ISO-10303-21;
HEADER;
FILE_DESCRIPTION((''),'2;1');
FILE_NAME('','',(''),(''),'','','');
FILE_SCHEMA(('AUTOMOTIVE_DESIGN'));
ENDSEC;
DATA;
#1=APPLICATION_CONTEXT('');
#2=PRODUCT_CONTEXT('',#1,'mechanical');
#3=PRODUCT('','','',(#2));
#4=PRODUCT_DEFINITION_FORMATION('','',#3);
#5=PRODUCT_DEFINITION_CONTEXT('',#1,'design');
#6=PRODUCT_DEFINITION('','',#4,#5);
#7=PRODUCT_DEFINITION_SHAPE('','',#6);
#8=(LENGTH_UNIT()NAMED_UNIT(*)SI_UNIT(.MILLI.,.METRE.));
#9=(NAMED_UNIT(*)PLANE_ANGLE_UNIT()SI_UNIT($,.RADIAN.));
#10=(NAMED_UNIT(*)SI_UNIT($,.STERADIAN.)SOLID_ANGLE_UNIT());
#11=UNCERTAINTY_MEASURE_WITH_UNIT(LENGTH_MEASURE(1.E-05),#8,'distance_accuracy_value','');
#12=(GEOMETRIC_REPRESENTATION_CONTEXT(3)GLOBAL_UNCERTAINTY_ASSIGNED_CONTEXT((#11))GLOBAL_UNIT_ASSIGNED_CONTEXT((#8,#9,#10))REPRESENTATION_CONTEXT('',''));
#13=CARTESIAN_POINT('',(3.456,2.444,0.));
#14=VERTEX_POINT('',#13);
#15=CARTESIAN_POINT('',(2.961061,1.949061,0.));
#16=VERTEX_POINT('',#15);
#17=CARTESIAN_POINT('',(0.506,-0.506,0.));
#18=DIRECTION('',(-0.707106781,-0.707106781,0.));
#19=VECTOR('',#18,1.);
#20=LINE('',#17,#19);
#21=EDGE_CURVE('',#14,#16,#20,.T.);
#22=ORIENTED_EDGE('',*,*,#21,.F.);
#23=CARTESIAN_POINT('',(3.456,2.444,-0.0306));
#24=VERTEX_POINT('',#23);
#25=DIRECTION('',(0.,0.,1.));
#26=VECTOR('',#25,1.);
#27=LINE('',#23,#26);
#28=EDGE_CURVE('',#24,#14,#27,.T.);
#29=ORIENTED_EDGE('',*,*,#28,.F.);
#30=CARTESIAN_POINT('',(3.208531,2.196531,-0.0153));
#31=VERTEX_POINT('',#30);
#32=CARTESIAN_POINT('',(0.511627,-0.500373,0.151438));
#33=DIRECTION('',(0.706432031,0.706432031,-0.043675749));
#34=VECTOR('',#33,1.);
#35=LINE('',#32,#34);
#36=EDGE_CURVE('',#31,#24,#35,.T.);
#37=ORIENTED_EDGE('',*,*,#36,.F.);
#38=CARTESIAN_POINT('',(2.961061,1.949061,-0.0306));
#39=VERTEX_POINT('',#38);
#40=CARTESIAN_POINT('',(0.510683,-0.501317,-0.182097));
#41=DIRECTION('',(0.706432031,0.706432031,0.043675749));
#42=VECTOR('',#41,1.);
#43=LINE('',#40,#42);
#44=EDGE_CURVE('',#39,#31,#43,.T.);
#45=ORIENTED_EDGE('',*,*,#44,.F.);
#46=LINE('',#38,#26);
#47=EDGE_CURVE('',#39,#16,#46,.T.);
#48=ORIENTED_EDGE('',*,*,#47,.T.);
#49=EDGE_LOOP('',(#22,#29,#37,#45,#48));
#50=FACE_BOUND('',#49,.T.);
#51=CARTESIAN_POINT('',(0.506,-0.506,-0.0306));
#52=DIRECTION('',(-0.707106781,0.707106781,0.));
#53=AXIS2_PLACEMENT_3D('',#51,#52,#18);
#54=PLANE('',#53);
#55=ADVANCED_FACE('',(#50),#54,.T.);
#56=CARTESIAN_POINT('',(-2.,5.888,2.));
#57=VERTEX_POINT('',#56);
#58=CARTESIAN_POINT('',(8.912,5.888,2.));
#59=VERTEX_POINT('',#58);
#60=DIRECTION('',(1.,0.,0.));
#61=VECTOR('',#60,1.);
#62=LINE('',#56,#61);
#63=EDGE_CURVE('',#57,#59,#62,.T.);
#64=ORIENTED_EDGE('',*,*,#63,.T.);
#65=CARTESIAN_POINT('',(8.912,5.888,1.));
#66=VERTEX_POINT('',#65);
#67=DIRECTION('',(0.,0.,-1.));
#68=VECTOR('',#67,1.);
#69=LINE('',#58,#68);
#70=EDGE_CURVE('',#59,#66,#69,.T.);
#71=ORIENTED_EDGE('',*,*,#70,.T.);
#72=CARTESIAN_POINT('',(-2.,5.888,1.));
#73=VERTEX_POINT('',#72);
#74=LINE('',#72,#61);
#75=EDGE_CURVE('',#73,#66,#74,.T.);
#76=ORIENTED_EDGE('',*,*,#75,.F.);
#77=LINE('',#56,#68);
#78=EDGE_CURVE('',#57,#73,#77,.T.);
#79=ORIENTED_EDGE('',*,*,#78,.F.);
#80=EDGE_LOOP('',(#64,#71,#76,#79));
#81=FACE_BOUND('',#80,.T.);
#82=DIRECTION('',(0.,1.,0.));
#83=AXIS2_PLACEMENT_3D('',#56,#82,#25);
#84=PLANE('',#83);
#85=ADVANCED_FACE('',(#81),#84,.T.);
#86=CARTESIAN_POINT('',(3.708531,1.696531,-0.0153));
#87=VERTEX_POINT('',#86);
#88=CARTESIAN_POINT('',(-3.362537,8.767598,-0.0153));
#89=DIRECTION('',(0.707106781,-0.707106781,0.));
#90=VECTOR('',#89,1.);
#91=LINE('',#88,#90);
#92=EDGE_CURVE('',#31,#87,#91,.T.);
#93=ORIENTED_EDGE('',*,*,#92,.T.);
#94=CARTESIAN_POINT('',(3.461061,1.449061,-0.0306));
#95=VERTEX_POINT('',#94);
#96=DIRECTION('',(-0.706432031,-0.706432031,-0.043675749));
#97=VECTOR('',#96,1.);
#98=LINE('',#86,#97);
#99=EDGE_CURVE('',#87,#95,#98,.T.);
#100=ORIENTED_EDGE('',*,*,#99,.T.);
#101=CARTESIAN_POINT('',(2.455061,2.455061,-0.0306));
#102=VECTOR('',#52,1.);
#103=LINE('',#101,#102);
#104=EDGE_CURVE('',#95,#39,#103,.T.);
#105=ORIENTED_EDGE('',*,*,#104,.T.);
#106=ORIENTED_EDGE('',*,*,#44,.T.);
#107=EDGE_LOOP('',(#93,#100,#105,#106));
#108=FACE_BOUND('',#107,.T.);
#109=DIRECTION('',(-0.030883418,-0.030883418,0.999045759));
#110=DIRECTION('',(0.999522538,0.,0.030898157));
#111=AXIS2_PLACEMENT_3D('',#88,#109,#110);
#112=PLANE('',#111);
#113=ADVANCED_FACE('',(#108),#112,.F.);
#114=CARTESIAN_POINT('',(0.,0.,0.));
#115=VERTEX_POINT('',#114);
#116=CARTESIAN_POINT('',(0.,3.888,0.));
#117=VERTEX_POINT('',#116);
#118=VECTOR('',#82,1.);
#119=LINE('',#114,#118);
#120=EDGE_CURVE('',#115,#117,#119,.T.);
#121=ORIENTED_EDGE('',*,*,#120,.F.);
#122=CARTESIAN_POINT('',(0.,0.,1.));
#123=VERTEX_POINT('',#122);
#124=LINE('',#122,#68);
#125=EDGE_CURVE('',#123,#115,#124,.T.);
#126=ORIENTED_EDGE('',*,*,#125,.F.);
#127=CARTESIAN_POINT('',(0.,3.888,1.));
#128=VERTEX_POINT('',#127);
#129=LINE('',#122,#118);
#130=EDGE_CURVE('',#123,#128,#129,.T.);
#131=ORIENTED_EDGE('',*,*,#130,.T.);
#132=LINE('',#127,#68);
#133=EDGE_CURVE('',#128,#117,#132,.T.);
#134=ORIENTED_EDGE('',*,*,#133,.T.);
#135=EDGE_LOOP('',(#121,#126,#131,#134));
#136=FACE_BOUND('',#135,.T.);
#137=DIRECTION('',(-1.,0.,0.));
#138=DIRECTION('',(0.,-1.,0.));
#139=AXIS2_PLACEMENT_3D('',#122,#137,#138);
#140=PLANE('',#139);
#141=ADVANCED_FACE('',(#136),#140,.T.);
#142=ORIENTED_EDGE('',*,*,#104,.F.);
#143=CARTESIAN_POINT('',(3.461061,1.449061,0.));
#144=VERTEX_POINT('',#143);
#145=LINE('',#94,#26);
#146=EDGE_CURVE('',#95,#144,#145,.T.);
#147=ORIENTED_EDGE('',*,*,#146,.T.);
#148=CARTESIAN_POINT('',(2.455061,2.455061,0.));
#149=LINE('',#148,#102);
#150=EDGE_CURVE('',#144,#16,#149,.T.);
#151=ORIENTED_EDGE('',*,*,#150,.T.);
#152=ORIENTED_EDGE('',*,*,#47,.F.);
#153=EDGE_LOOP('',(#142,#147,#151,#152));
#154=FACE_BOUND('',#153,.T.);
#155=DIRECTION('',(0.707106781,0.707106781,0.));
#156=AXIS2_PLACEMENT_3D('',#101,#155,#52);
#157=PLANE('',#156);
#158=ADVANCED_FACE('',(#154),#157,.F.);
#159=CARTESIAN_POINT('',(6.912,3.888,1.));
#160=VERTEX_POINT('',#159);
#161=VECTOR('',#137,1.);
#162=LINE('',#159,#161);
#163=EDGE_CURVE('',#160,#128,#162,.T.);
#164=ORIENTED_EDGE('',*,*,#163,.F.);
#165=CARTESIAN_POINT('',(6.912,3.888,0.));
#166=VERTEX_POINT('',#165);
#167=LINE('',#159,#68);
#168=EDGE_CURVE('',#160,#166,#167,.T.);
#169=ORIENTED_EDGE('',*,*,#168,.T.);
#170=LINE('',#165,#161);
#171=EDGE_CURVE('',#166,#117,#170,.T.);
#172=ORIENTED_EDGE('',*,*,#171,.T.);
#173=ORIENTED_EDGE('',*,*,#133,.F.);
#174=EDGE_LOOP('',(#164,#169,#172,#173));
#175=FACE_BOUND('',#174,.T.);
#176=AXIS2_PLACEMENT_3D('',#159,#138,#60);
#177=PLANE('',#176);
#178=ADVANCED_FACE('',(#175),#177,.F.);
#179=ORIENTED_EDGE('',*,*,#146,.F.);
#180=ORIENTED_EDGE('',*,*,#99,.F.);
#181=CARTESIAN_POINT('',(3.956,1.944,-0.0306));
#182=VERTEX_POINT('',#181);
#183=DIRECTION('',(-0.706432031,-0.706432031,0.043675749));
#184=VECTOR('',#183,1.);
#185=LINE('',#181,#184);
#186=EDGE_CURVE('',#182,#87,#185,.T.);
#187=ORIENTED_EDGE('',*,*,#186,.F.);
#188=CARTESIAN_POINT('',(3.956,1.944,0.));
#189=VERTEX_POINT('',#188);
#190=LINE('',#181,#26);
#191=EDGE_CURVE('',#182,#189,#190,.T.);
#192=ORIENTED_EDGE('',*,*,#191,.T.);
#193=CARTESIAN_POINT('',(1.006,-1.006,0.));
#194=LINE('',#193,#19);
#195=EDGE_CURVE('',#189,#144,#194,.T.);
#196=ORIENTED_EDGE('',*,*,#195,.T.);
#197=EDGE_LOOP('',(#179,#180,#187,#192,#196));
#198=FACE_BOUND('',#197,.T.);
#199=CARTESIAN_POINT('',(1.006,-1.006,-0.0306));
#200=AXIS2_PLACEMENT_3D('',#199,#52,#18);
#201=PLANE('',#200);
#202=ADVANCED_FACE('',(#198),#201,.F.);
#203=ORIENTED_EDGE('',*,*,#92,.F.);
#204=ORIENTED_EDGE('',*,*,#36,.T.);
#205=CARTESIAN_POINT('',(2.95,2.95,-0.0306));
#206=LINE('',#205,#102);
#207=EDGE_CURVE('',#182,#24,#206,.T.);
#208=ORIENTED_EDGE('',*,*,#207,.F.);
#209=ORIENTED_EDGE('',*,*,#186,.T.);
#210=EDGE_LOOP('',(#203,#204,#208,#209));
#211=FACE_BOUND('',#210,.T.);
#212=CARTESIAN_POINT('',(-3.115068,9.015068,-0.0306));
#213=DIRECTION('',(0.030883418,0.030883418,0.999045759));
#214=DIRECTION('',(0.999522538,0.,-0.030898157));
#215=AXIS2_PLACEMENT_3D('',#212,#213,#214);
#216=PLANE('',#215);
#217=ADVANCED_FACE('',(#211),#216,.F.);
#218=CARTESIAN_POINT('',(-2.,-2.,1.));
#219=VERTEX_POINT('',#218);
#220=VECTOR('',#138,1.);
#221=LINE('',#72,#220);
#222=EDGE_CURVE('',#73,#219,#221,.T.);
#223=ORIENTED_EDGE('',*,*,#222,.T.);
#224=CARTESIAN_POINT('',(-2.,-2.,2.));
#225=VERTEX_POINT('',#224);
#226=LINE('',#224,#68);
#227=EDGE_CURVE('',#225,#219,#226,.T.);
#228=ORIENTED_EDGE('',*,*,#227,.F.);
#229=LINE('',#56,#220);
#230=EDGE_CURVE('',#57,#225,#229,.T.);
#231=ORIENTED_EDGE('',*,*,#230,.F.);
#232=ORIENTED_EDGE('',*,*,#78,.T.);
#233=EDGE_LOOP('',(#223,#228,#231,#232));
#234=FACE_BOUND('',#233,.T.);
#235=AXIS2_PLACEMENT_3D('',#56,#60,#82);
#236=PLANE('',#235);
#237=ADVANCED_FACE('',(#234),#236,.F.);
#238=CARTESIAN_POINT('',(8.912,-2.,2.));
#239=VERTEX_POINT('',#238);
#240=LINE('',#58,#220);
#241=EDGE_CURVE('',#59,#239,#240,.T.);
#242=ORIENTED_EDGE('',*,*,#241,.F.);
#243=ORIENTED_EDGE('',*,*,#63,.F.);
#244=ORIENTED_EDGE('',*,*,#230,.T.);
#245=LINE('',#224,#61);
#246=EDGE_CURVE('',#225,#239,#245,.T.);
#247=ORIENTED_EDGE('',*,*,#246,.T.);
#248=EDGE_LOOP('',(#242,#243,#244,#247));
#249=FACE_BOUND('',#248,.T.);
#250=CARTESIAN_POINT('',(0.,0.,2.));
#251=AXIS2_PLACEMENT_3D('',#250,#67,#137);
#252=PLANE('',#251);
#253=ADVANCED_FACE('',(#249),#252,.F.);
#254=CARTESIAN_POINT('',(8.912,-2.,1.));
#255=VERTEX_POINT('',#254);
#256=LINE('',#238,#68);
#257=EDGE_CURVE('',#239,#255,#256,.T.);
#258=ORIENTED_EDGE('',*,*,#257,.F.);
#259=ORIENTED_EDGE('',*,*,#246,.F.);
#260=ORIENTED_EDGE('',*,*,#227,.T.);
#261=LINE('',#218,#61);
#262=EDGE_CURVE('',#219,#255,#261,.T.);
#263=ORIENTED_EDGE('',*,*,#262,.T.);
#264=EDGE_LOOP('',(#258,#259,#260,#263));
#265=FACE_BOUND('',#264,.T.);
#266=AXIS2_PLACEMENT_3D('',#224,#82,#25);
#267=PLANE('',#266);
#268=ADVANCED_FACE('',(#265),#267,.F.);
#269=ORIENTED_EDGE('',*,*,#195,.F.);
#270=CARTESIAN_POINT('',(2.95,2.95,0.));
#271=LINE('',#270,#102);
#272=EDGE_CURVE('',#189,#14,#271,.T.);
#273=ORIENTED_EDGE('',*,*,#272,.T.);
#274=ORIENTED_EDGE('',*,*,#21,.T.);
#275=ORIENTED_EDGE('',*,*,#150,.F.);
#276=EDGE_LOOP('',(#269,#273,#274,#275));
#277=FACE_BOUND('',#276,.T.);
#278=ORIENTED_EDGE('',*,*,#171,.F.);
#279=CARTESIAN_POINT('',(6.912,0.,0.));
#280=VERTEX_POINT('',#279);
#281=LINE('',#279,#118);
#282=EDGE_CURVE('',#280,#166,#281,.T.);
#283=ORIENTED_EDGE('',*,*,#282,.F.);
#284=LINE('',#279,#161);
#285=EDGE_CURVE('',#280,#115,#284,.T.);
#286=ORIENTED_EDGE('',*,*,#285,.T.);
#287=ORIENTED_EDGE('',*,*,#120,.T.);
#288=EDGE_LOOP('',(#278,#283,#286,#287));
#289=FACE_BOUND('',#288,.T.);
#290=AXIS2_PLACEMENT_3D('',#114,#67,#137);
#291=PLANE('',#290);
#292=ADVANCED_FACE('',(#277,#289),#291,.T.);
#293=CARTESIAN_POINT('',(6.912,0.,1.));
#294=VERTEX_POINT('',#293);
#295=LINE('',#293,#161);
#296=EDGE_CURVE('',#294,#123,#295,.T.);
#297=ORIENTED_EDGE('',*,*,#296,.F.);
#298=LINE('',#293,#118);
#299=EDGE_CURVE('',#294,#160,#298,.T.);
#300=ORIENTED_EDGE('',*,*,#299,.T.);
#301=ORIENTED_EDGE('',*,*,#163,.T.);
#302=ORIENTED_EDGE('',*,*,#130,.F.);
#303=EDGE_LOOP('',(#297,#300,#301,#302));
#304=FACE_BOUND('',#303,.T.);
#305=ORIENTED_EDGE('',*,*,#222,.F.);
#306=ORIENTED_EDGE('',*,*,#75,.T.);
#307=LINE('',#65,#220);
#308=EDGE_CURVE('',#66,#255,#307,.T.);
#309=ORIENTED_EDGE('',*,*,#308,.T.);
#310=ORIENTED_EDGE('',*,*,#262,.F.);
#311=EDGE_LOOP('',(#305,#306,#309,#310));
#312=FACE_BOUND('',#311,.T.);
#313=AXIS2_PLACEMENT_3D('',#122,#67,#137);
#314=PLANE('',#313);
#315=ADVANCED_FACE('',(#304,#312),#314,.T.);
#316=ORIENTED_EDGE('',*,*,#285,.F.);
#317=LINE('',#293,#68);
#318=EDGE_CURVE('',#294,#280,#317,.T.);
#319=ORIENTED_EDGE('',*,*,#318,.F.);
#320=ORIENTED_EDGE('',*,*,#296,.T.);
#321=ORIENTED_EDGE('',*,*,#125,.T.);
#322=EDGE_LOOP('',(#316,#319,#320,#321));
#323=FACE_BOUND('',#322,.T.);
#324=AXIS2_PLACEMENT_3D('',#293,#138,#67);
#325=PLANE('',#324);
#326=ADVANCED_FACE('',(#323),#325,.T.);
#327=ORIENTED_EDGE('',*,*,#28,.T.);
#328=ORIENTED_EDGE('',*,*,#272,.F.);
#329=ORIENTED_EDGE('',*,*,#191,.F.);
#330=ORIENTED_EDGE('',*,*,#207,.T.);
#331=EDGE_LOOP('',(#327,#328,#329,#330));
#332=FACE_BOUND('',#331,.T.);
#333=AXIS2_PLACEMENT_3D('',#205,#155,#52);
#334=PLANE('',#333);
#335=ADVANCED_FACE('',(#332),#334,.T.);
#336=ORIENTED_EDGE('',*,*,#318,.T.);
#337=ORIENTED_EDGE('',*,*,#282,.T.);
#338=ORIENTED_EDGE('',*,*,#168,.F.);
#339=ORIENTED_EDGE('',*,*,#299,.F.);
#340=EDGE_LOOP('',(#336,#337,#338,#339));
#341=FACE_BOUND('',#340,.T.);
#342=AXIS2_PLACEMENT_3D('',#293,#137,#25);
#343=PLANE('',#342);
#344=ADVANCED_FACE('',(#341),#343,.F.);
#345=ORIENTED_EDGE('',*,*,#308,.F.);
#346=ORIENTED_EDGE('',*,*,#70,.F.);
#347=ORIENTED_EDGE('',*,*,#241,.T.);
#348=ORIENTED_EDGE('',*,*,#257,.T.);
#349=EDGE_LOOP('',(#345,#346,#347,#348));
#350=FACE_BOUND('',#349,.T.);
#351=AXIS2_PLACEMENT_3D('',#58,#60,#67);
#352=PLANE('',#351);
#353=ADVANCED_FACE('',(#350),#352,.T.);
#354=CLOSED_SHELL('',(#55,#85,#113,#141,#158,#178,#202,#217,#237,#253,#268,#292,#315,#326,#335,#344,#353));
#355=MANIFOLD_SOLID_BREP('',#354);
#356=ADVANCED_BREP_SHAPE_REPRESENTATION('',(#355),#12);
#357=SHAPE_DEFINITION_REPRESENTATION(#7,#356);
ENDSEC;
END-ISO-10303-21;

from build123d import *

# Parameters (mm, degrees)
SKIZZE1_W                       = 6.912
SKIZZE1_H                       = 3.888
AUFSATZ_LINEAR_AUSTRAGEN1_DEPTH = 1
SKIZZE2_W                       = 10.912
SKIZZE2_H                       = 7.888
AUFSATZ_LINEAR_AUSTRAGEN2_DEPTH = 1
AUFSATZ_LINEAR_AUSTRAGEN3_DEPTH = 0.0306
SCHNITT_LINEAR_AUSTRAGEN1_DEPTH = 10


with BuildPart() as part:
    # Skizze1 → Aufsatz-Linear austragen1 (new body)
    with BuildSketch(Plane.XY):
        with Locations((3.456, 1.944)):
            Rectangle(SKIZZE1_W, SKIZZE1_H)
    extrude(amount=AUFSATZ_LINEAR_AUSTRAGEN1_DEPTH)

    # Skizze2 → Aufsatz-Linear austragen2 (add)
    with BuildSketch(Plane.XY.offset(1)):
        with Locations((3.456, 1.944)):
            Rectangle(SKIZZE2_W, SKIZZE2_H)
    extrude(amount=AUFSATZ_LINEAR_AUSTRAGEN2_DEPTH)

    # Skizze3 → Aufsatz-Linear austragen3 (add)
    with BuildSketch(Plane(origin=(0, 0, 0), x_dir=(-1, 0, 0), z_dir=(0, 0, -1))):
        Polygon((-3.956, 1.944), (-3.461061255, 1.449061255), (-2.961061255, 1.949061255), (-3.456, 2.444), align=None)
    extrude(amount=AUFSATZ_LINEAR_AUSTRAGEN3_DEPTH)

    # Skizze4 → Schnitt-Linear austragen1 (cut)
    with BuildSketch(Plane(origin=(1.006, -1.006, 0), x_dir=(0, 0, -1), z_dir=(0.7071067811865474, -0.7071067811865477, 0))):
        Polygon((0.0153, 3.821955466), (0.0306, 3.471980924), (0.0306, 4.171930009), align=None)
    extrude(amount=-SCHNITT_LINEAR_AUSTRAGEN1_DEPTH, mode=Mode.SUBTRACT)


solid = part.part
